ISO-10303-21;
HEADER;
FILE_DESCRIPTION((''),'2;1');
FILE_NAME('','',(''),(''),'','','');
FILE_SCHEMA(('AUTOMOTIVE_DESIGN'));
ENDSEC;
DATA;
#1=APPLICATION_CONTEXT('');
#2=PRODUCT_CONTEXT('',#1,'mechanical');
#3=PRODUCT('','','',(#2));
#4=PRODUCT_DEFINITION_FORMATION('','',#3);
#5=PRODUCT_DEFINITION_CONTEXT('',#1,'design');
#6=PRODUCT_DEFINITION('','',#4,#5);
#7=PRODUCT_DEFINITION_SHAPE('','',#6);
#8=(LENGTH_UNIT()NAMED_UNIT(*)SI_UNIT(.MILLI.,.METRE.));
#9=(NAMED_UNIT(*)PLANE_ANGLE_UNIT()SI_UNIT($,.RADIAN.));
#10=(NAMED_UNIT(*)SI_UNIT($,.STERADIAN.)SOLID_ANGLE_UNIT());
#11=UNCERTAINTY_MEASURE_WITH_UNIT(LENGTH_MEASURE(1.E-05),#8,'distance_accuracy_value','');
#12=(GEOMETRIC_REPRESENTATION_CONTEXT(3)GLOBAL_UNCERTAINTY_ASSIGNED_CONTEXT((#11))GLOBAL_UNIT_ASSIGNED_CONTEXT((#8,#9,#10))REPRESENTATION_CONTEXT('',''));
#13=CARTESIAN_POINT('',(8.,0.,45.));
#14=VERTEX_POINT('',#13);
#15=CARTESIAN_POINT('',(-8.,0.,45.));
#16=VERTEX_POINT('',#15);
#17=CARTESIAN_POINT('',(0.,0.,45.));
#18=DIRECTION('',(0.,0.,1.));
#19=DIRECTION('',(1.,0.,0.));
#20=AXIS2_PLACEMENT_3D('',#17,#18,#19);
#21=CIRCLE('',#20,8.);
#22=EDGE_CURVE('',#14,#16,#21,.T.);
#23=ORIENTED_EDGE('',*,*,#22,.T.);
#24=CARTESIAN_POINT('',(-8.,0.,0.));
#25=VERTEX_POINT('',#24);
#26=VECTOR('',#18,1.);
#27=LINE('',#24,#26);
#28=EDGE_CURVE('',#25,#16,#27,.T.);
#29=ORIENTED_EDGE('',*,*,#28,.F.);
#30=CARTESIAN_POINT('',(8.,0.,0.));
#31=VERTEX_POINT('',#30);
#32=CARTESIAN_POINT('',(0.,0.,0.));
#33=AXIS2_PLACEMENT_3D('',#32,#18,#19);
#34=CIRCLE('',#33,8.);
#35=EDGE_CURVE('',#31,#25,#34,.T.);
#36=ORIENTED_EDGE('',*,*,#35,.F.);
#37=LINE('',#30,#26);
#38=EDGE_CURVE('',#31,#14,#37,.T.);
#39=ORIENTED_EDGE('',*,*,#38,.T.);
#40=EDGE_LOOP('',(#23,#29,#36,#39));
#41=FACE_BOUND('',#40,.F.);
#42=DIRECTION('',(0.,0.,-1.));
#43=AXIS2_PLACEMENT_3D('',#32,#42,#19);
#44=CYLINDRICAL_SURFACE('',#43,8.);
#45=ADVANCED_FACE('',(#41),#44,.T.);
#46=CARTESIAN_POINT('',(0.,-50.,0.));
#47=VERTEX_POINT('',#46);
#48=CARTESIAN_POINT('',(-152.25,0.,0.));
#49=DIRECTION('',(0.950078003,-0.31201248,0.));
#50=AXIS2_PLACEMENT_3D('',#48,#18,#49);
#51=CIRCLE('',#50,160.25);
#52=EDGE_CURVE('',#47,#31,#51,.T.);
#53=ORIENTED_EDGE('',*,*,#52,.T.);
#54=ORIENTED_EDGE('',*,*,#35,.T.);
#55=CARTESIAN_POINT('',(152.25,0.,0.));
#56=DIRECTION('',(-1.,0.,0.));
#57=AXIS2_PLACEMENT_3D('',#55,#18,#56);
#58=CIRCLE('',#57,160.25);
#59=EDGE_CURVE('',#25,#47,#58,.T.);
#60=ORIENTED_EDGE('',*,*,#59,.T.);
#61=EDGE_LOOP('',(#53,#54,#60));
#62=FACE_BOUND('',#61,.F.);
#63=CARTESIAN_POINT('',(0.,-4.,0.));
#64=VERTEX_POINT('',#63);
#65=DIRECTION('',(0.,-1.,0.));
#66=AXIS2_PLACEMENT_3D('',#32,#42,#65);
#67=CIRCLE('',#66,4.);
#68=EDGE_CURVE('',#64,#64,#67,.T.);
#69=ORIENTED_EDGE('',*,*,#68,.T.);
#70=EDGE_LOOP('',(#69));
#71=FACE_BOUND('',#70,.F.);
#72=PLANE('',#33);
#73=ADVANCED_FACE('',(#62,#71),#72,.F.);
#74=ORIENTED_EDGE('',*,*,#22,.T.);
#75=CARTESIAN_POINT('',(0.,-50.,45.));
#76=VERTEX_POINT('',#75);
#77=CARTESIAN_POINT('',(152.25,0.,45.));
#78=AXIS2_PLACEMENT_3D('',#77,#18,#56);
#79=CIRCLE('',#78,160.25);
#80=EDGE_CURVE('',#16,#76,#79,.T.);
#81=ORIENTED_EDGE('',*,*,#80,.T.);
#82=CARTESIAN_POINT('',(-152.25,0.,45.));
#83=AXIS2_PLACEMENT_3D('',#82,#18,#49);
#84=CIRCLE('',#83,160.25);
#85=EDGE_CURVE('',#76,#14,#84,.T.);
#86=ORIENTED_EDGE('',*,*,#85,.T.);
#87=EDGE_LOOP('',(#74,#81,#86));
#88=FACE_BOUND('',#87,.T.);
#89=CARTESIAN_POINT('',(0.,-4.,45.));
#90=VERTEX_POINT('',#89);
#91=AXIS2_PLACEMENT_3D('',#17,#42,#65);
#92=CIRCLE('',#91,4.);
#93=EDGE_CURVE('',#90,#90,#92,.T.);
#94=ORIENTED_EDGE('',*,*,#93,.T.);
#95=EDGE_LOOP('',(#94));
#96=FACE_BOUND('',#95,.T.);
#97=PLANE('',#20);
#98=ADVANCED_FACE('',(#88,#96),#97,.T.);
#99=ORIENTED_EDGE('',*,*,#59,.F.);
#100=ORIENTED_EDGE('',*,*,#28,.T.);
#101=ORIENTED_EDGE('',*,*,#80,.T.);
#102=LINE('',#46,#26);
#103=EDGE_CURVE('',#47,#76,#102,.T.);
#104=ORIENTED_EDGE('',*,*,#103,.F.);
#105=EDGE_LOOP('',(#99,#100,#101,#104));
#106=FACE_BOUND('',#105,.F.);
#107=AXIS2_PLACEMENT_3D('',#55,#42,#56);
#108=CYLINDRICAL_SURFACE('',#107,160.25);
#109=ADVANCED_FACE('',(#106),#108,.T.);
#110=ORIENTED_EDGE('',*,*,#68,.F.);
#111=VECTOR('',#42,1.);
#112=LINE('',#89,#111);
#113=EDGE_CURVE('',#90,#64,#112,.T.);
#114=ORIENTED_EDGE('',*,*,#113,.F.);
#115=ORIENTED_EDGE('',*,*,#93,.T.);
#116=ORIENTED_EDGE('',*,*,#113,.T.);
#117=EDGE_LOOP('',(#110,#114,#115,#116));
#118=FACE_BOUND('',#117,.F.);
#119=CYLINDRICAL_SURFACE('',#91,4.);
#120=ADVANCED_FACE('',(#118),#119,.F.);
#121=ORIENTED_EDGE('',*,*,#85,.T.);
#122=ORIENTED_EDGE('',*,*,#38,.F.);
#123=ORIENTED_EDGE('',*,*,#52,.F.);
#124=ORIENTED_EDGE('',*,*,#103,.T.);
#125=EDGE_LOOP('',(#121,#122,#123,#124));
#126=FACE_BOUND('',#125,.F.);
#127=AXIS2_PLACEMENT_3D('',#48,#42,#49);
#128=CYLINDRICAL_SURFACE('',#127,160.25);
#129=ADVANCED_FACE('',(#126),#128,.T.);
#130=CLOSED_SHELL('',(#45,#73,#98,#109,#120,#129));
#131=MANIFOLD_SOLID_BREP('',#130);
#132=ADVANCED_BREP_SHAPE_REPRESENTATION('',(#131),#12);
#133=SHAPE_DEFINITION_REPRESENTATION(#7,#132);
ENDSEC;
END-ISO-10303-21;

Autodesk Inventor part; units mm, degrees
ref_plane "YZ Plane" through (0, 0, 0) normal (1, 0, 0) x (0, 1, 0)
ref_plane "XZ Plane" through (0, 0, 0) normal (0, 1, 0) x (-1, 0, 0)
ref_plane "XY Plane" through (0, 0, 0) normal (0, 0, 1) x (1, 0, 0)
sketch "Sketch1" plane through (0, 0, 0) normal (0, 0, 1) x (1, 0, 0)
  arc A0 (8, 0) -> (-8, 0) centre (0, 0) ccw
  arc A1 (0, -50) -> (8, 0) centre (-152.25, 0) ccw
  arc A2 (-8, 0) -> (0, -50) centre (152.25, 0) ccw
  dimension "d0" = 8
  dimension "d2" = 50
extrude "Extrusion1" add sketch "Sketch1" along normal blind 45
sketch "Sketch2" plane through (0, 0, 45) normal (0, 0, 1) x (1, 0, 0)
  point P0 (0, 0)
  point P1 (0, 0)
hole "Hole1" at (0, 0, 45) direction (0, 0, -1) diameter 8 end through all
properties part number "Airfoil"
